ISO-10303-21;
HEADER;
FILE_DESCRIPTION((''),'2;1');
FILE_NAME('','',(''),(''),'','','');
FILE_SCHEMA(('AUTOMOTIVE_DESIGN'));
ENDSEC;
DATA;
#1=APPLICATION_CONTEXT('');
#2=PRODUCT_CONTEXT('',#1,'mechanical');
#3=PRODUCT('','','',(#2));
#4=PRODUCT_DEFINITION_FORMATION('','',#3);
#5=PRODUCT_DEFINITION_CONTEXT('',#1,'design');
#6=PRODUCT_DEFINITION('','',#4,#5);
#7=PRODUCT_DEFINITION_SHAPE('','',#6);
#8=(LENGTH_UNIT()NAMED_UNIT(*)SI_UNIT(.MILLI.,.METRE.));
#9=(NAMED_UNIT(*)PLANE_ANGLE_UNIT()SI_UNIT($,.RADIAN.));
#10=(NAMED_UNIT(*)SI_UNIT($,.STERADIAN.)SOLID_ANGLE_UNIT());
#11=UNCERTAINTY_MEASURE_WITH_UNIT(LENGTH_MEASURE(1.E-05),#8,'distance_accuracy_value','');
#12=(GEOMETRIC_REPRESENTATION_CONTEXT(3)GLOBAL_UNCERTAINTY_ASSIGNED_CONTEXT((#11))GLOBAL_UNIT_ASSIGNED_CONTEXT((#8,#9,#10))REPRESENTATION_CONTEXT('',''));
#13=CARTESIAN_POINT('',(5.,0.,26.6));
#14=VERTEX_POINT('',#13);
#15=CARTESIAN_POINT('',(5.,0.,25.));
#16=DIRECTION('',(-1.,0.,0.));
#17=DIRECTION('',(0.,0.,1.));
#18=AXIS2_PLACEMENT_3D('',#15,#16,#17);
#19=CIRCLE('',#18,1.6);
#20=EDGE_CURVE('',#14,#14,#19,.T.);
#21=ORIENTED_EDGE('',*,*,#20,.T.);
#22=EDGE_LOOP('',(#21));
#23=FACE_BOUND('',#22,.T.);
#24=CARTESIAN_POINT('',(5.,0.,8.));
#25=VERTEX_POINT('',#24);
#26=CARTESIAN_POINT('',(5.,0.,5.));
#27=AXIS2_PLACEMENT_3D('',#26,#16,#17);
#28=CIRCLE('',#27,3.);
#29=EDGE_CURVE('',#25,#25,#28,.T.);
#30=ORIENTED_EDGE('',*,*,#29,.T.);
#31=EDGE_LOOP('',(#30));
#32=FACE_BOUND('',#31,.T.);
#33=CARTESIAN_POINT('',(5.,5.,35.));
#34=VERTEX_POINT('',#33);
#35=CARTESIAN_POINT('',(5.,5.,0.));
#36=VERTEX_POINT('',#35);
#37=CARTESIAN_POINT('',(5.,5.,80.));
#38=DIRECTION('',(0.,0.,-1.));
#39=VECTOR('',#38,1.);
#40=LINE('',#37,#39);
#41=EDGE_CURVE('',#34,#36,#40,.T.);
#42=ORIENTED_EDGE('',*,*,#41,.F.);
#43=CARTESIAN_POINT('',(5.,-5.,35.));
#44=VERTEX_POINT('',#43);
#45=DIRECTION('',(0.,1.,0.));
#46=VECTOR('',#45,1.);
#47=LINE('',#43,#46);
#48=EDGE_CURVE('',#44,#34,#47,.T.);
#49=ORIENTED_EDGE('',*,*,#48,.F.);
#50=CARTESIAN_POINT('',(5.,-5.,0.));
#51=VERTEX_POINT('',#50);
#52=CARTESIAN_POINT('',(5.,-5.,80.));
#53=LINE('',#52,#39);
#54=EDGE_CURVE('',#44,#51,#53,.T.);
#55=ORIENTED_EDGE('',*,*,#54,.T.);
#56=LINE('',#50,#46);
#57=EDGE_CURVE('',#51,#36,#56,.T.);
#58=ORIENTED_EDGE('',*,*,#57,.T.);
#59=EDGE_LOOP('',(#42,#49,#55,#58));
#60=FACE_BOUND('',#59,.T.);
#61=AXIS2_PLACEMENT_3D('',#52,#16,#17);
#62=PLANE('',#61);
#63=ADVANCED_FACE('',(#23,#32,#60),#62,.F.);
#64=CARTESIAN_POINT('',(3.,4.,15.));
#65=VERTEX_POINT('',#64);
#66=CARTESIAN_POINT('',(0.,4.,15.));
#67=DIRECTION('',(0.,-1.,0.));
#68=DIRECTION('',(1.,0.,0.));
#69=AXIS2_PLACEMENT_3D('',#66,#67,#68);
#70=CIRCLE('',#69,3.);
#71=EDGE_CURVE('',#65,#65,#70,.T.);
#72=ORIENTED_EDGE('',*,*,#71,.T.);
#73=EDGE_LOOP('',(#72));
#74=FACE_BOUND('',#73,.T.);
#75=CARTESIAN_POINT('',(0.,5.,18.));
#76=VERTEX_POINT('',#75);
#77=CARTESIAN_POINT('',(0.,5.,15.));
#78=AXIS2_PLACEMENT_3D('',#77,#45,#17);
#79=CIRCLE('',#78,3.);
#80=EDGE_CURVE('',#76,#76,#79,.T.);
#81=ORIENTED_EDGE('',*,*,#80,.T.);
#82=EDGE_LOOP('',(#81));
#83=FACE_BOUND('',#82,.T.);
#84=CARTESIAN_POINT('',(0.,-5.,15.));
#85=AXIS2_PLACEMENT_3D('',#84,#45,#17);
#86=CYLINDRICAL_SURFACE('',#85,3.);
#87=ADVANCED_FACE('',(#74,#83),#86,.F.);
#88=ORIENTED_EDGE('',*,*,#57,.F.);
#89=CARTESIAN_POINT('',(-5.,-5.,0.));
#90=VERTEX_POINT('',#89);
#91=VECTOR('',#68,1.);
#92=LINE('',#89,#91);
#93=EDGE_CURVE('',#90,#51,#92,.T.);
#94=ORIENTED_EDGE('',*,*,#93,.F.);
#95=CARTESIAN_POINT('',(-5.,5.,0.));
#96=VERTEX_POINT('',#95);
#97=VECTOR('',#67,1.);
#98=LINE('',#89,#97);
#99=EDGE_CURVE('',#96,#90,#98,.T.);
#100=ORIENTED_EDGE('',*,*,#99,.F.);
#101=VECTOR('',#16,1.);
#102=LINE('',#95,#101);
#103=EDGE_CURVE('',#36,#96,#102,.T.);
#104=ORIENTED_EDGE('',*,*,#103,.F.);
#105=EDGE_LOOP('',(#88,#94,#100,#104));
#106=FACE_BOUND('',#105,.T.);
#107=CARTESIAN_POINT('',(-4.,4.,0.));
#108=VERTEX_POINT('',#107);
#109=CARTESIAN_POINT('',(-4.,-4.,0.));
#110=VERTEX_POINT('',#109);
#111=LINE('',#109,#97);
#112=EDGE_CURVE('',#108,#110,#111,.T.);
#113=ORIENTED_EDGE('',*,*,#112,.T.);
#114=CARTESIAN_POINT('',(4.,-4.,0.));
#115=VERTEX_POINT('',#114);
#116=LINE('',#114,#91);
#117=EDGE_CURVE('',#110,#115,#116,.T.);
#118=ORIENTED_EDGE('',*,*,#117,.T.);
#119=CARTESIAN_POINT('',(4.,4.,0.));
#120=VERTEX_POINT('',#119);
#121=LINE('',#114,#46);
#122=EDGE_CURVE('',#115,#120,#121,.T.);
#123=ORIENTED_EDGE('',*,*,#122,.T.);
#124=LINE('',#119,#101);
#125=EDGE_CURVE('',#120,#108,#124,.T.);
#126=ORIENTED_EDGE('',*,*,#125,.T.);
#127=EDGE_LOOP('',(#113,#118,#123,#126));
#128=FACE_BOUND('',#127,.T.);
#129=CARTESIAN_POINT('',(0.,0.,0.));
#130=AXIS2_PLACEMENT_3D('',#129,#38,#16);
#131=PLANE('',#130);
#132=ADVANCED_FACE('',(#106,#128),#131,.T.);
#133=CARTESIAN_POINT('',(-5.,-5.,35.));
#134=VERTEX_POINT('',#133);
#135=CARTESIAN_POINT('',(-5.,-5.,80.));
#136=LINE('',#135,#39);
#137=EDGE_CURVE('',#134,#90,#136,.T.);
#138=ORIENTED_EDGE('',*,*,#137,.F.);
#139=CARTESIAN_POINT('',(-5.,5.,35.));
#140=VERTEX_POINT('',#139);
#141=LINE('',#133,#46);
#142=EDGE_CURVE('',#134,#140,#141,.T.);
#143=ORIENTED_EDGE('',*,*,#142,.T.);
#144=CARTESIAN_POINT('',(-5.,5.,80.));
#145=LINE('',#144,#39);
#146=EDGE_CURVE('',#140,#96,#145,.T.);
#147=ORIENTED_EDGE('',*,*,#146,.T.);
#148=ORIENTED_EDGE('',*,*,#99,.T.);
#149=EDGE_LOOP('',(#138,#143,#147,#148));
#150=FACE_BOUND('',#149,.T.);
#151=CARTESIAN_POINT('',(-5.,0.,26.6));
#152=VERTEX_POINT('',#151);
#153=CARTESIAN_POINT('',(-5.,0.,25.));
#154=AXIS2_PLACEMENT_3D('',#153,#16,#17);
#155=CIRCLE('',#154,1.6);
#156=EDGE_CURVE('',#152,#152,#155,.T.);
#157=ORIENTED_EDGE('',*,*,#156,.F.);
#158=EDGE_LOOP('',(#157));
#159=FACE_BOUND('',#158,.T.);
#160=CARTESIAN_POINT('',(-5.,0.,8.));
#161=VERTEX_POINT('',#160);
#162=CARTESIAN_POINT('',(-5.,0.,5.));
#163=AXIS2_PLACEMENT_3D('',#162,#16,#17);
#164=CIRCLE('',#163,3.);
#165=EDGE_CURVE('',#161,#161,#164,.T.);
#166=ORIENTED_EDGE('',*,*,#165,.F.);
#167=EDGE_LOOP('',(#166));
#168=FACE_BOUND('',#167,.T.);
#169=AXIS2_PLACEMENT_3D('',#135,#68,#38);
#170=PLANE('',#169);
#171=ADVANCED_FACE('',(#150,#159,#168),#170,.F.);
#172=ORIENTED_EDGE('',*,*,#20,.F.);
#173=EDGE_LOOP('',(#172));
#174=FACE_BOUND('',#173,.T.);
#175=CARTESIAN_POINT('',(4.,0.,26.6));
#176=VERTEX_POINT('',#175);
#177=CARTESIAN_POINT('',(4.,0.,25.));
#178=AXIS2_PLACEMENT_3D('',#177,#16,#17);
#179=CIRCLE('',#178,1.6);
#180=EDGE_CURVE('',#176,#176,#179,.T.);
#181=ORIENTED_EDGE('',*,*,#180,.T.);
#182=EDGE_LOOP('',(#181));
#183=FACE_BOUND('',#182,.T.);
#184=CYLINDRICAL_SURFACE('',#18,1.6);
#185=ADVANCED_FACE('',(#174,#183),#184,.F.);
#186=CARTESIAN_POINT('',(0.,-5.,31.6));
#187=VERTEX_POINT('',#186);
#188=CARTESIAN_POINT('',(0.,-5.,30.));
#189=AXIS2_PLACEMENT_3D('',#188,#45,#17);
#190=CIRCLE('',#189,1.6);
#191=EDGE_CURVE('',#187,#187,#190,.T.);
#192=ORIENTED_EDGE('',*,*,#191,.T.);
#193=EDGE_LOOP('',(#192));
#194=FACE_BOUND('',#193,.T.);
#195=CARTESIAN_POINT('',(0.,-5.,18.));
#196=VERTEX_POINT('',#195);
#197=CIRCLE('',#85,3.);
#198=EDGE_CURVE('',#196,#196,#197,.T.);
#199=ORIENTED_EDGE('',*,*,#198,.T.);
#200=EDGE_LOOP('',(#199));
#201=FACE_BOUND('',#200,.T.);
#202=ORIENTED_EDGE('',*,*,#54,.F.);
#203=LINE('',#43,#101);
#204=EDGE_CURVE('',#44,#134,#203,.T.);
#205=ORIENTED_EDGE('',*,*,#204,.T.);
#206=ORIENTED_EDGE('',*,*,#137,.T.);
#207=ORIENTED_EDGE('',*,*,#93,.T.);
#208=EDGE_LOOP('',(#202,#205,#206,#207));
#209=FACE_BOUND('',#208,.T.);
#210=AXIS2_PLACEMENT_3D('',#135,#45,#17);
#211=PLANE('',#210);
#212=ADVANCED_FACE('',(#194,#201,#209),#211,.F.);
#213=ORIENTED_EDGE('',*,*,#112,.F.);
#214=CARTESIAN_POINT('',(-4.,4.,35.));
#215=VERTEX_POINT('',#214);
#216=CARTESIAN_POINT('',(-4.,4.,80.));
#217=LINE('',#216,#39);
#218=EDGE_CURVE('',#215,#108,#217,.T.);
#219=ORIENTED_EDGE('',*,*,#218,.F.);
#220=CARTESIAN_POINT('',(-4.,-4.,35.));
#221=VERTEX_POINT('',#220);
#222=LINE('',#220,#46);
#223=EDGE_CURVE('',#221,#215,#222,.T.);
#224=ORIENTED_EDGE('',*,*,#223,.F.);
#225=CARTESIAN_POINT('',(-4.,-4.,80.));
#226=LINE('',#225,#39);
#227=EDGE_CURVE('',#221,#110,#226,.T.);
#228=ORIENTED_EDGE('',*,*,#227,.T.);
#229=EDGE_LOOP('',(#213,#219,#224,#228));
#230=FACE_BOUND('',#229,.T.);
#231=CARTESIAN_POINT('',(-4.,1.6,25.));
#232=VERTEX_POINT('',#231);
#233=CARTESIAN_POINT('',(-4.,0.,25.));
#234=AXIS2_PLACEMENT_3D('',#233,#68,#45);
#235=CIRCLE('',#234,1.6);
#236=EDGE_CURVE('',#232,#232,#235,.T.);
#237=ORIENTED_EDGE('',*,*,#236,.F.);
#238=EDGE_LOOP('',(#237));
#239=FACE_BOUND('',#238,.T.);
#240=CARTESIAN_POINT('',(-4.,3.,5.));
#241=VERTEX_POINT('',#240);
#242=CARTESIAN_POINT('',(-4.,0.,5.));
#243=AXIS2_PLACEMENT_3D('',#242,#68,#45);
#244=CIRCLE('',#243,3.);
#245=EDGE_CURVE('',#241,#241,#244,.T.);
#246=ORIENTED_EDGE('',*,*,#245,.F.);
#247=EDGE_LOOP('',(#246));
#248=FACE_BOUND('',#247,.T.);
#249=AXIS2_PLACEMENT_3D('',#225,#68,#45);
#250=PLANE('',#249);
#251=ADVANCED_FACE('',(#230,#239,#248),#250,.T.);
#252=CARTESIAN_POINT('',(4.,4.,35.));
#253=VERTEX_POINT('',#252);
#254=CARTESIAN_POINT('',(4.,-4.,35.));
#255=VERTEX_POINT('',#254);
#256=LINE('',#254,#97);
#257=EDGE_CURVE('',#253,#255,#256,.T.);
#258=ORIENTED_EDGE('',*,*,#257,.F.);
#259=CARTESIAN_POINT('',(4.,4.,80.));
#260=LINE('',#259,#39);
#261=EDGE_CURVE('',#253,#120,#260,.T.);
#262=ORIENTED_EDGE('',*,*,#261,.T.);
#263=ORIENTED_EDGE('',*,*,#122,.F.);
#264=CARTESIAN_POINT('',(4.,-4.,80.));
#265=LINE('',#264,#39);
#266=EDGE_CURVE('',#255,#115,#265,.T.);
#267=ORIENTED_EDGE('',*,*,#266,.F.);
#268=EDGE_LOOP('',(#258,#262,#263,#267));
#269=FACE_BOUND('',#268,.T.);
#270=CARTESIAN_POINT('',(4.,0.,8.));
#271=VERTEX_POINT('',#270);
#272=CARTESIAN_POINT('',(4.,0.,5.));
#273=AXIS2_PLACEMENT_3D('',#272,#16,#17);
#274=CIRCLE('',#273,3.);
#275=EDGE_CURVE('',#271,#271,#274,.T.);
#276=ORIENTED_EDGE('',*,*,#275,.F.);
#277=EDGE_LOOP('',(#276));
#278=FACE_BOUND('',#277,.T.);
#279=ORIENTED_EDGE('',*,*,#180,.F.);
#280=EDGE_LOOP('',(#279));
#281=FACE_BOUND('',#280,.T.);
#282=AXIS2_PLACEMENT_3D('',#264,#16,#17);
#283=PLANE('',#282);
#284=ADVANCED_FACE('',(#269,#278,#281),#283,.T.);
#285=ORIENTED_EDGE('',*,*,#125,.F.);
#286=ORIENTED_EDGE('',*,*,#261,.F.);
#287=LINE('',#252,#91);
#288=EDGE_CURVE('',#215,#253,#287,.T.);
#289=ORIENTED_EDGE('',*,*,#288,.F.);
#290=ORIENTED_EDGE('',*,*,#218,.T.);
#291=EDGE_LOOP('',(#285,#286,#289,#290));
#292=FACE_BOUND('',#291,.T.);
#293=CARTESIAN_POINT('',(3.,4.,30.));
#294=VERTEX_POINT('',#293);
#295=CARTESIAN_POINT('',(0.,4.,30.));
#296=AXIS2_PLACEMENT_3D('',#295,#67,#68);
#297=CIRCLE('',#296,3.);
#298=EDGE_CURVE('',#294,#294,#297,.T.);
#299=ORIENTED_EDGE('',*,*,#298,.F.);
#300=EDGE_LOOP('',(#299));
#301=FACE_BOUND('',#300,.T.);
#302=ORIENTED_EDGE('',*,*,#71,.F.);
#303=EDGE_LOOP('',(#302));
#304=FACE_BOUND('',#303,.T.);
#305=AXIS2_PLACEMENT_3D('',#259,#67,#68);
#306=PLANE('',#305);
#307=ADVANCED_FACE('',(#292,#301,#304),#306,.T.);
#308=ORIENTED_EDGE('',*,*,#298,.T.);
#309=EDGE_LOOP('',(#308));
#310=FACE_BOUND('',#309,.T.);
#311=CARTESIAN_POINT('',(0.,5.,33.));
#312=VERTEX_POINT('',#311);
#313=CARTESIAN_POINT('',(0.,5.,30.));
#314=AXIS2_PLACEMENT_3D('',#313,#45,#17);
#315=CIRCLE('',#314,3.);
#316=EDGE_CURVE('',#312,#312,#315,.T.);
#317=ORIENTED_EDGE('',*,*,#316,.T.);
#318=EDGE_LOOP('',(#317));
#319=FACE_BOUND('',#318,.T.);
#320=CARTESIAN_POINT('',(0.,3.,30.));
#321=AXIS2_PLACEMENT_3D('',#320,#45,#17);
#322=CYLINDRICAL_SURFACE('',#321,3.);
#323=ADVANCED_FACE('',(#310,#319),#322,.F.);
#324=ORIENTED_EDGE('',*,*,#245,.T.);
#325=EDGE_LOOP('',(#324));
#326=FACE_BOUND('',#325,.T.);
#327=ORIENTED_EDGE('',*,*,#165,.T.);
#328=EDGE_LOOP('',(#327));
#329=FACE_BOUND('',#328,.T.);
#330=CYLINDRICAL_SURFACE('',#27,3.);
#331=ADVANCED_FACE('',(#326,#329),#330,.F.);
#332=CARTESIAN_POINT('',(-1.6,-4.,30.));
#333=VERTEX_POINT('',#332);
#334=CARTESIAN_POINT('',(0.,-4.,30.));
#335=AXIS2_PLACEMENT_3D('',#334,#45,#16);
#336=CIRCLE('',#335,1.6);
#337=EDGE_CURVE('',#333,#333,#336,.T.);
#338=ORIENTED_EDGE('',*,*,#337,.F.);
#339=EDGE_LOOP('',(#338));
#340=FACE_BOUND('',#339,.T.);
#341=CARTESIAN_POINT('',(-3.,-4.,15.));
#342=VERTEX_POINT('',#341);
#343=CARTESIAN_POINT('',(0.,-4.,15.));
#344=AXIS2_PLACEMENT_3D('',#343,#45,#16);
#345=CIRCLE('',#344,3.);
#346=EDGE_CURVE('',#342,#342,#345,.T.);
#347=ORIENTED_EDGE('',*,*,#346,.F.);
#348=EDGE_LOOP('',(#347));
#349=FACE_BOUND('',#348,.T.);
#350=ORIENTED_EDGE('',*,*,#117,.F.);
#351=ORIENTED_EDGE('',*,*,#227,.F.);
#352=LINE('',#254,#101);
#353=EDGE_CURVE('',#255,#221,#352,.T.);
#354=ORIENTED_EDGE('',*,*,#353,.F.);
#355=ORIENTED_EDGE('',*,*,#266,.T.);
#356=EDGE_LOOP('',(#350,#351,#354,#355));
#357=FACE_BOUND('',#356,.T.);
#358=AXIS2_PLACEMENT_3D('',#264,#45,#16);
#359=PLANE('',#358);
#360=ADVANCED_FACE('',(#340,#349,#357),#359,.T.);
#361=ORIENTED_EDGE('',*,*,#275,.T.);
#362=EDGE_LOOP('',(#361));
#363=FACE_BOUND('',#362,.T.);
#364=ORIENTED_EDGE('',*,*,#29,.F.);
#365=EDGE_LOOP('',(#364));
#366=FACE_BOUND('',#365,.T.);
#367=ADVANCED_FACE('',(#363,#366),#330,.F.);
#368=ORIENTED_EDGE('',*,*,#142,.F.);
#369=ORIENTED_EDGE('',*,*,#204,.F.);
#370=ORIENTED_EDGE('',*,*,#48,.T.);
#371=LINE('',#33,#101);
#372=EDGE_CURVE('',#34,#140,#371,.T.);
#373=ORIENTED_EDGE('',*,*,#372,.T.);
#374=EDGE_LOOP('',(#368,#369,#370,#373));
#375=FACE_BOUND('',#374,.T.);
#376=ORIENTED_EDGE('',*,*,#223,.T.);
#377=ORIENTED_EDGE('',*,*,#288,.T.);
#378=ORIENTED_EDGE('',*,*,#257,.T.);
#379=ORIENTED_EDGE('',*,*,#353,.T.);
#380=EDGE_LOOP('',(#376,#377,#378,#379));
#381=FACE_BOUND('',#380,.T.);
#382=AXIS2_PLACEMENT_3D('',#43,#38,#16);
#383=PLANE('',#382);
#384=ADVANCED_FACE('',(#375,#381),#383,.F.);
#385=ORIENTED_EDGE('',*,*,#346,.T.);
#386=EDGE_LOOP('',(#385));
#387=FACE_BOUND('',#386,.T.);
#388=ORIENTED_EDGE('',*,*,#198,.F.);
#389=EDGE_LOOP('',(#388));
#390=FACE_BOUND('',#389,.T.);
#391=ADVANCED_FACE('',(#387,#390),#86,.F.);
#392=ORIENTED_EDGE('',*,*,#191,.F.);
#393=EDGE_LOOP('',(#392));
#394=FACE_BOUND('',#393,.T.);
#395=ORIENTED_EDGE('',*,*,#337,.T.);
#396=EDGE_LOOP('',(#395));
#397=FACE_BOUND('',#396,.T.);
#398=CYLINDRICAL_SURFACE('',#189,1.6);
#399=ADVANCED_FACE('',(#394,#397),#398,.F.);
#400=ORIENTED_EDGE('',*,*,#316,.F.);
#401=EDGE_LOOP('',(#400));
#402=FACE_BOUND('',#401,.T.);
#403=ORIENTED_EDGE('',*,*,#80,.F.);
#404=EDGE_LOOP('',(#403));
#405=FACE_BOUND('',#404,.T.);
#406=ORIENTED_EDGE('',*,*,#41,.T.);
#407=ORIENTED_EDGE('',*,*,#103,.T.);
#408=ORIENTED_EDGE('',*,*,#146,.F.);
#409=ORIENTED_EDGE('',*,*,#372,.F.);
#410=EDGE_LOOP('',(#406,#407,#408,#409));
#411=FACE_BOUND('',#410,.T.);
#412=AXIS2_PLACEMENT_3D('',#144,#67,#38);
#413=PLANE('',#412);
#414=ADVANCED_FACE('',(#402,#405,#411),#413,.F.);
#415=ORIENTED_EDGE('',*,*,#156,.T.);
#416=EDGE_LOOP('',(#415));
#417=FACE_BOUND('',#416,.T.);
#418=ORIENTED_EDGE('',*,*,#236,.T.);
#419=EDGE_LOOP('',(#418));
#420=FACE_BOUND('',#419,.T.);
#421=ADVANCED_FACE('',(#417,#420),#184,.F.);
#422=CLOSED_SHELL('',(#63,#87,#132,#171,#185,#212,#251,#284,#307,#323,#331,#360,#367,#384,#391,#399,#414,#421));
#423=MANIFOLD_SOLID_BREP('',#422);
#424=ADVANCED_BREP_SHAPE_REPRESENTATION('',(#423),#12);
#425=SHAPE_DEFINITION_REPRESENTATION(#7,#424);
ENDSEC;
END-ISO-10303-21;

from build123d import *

# Parameters (mm, degrees)
SKETCH_1_W          = 10
SKETCH_1_H          = 10
SKETCH_1_W_2        = 8
SKETCH_1_H_2        = 8
EXTRUDE_1_DEPTH     = 80
SKETCH_2_R          = 3
CUT_EXTRUDE_1_DEPTH = 81.777472107
SKETCH_3_R          = 3
CUT_EXTRUDE_2_DEPTH = 10
SKETCH_4_R          = 1.6
CUT_EXTRUDE_3_DEPTH = 10
SKETCH_5_R          = 1.6
CUT_EXTRUDE_4_DEPTH = 81.777472107
SKETCH_6_W          = 10
SKETCH_6_H          = 45
CUT_EXTRUDE_5_DEPTH = 10
SKETCH_7_R          = 3
CUT_EXTRUDE_6_DEPTH = 2


with BuildPart() as part:
    # ｽｹｯﾁ1 → ﾎﾞｽ - 押し出し1 (new body)
    with BuildSketch(Plane.XY):
        Rectangle(SKETCH_1_W, SKETCH_1_H)
        Rectangle(SKETCH_1_W_2, SKETCH_1_H_2, mode=Mode.SUBTRACT)
    extrude(amount=EXTRUDE_1_DEPTH)

    # ｽｹｯﾁ2 → ｶｯﾄ - 押し出し1 (cut, through all)
    with BuildSketch(Plane.ZY.offset(5)):
        with Locations((5, 0)):
            Circle(SKETCH_2_R)
        with Locations((75, 0)):
            Circle(SKETCH_2_R)
    extrude(amount=-CUT_EXTRUDE_1_DEPTH, mode=Mode.SUBTRACT)

    # ｽｹｯﾁ3 → ｶｯﾄ - 押し出し2 (cut)
    with BuildSketch(Plane(origin=(0, 5, 0), x_dir=(1, 0, 0), z_dir=(0, 1, 0))):
        with Locations(Location((0, -65, 0), (0, 0, 270))):
            Circle(SKETCH_3_R)
        with Locations(Location((0, -15, 0), (0, 0, 270))):
            Circle(SKETCH_3_R)
    extrude(amount=-CUT_EXTRUDE_2_DEPTH, mode=Mode.SUBTRACT)

    # ｽｹｯﾁ4 → ｶｯﾄ - 押し出し3 (cut)
    with BuildSketch(Plane(origin=(0, 5, 0), x_dir=(1, 0, 0), z_dir=(0, 1, 0))):
        with Locations(Location((0, -30, 0), (0, 0, 270))):
            Circle(SKETCH_4_R)
        with Locations(Location((0, -50, 0), (0, 0, 270))):
            Circle(SKETCH_4_R)
    extrude(amount=-CUT_EXTRUDE_3_DEPTH, mode=Mode.SUBTRACT)

    # ｽｹｯﾁ5 → ｶｯﾄ - 押し出し4 (cut, through all)
    with BuildSketch(Plane.ZY.offset(5)):
        with Locations((25, 0)):
            Circle(SKETCH_5_R)
        with Locations((55, 0)):
            Circle(SKETCH_5_R)
    extrude(amount=-CUT_EXTRUDE_4_DEPTH, mode=Mode.SUBTRACT)

    # ｽｹｯﾁ6 → ｶｯﾄ - 押し出し5 (cut)
    with BuildSketch(Plane(origin=(0, 5, 0), x_dir=(1, 0, 0), z_dir=(0, 1, 0))):
        with Locations((0, -57.5)):
            Rectangle(SKETCH_6_W, SKETCH_6_H)
    extrude(amount=-CUT_EXTRUDE_5_DEPTH, mode=Mode.SUBTRACT)

    # ｽｹｯﾁ7 → ｶｯﾄ - 押し出し6 (cut)
    with BuildSketch(Plane(origin=(0, 5, 0), x_dir=(1, 0, 0), z_dir=(0, 1, 0))):
        with Locations(Location((0, -30, 0), (0, 0, 270))):
            Circle(SKETCH_7_R)
    extrude(amount=-CUT_EXTRUDE_6_DEPTH, mode=Mode.SUBTRACT)


solid = part.part
